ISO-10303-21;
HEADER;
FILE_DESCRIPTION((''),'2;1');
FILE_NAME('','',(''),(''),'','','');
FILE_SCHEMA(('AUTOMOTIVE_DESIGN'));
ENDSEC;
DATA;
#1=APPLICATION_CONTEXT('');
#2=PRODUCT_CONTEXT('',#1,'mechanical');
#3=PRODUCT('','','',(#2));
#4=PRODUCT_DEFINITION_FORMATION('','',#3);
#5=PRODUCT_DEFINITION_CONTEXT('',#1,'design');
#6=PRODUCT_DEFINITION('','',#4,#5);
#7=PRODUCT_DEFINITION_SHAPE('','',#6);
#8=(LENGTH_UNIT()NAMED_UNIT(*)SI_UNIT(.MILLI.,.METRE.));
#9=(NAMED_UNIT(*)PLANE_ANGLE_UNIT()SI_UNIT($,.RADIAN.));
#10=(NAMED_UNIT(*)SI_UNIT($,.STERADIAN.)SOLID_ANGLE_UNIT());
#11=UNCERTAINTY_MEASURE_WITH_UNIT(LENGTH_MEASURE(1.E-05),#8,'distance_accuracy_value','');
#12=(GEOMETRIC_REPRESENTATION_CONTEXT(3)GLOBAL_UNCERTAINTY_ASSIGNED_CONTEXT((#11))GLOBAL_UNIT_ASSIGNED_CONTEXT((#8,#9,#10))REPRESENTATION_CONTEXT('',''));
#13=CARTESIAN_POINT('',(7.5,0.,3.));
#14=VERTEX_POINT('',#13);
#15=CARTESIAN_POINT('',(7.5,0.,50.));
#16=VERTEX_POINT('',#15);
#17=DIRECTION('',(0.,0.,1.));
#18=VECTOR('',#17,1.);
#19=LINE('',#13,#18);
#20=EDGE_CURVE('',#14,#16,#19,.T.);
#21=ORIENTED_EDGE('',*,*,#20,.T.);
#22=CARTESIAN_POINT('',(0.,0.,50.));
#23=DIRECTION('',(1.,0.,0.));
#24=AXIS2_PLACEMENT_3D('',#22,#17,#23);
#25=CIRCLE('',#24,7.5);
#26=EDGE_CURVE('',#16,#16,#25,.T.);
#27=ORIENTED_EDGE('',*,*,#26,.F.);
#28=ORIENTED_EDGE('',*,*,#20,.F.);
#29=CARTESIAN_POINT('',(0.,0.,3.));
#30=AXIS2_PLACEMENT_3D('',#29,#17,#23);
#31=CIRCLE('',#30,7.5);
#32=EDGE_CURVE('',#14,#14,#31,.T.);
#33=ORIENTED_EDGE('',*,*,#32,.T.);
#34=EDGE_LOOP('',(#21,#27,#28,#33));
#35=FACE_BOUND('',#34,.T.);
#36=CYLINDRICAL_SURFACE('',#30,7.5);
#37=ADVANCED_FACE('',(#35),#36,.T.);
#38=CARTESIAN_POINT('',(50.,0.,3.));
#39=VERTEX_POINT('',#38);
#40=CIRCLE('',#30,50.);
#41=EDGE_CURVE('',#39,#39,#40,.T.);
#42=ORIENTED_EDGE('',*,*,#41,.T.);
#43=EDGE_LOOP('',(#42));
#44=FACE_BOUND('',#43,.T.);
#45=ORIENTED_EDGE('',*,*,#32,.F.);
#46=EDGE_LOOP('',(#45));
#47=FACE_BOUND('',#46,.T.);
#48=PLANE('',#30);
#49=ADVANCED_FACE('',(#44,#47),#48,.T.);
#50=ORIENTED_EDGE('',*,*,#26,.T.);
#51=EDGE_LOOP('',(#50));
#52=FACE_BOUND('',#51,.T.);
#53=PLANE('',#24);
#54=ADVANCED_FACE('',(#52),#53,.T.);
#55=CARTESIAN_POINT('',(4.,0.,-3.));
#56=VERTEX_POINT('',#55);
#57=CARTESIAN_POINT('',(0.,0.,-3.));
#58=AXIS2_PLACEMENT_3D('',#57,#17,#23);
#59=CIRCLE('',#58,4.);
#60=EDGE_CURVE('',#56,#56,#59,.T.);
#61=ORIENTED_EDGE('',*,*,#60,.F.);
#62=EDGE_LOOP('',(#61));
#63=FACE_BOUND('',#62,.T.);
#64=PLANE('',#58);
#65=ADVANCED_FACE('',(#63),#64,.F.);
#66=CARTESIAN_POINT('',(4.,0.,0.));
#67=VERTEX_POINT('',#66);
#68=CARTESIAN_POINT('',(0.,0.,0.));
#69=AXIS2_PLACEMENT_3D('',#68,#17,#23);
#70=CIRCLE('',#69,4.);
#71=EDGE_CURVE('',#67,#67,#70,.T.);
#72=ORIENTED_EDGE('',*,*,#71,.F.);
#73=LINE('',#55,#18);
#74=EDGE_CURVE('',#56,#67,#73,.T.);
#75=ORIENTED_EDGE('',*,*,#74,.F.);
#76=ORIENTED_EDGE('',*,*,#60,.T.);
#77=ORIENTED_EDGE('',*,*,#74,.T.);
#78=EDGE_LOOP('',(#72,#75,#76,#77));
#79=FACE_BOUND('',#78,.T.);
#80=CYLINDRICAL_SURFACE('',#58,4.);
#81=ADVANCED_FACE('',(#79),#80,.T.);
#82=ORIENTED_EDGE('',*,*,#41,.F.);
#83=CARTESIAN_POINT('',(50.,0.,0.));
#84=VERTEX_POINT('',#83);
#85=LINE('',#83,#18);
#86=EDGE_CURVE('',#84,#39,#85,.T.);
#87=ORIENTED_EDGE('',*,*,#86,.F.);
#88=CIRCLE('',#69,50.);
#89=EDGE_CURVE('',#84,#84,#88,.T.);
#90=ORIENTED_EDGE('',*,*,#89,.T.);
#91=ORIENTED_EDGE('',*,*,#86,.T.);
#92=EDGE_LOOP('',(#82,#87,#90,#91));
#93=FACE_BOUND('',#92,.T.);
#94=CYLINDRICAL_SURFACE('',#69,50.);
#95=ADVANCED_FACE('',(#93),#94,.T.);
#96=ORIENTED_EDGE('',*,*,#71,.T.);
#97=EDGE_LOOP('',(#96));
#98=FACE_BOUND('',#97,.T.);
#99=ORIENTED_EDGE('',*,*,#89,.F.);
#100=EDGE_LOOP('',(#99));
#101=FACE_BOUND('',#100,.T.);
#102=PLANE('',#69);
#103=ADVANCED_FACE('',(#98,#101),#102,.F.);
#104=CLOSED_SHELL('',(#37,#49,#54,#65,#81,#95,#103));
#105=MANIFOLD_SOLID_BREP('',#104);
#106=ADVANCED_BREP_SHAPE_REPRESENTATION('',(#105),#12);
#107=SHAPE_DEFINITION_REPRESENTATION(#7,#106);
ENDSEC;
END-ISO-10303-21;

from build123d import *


with BuildPart() as part:
    # Sketch → Revolution (revolve)
    with BuildSketch(Plane.XZ):
        Polygon((0, 50), (0, -3), (4, -3), (4, 0), (50, 0), (50, 3), (7.5, 3), (7.5, 50), align=None)
    revolve(axis=Axis((0, 0, 0), (0, 0, 1)))


solid = part.part
